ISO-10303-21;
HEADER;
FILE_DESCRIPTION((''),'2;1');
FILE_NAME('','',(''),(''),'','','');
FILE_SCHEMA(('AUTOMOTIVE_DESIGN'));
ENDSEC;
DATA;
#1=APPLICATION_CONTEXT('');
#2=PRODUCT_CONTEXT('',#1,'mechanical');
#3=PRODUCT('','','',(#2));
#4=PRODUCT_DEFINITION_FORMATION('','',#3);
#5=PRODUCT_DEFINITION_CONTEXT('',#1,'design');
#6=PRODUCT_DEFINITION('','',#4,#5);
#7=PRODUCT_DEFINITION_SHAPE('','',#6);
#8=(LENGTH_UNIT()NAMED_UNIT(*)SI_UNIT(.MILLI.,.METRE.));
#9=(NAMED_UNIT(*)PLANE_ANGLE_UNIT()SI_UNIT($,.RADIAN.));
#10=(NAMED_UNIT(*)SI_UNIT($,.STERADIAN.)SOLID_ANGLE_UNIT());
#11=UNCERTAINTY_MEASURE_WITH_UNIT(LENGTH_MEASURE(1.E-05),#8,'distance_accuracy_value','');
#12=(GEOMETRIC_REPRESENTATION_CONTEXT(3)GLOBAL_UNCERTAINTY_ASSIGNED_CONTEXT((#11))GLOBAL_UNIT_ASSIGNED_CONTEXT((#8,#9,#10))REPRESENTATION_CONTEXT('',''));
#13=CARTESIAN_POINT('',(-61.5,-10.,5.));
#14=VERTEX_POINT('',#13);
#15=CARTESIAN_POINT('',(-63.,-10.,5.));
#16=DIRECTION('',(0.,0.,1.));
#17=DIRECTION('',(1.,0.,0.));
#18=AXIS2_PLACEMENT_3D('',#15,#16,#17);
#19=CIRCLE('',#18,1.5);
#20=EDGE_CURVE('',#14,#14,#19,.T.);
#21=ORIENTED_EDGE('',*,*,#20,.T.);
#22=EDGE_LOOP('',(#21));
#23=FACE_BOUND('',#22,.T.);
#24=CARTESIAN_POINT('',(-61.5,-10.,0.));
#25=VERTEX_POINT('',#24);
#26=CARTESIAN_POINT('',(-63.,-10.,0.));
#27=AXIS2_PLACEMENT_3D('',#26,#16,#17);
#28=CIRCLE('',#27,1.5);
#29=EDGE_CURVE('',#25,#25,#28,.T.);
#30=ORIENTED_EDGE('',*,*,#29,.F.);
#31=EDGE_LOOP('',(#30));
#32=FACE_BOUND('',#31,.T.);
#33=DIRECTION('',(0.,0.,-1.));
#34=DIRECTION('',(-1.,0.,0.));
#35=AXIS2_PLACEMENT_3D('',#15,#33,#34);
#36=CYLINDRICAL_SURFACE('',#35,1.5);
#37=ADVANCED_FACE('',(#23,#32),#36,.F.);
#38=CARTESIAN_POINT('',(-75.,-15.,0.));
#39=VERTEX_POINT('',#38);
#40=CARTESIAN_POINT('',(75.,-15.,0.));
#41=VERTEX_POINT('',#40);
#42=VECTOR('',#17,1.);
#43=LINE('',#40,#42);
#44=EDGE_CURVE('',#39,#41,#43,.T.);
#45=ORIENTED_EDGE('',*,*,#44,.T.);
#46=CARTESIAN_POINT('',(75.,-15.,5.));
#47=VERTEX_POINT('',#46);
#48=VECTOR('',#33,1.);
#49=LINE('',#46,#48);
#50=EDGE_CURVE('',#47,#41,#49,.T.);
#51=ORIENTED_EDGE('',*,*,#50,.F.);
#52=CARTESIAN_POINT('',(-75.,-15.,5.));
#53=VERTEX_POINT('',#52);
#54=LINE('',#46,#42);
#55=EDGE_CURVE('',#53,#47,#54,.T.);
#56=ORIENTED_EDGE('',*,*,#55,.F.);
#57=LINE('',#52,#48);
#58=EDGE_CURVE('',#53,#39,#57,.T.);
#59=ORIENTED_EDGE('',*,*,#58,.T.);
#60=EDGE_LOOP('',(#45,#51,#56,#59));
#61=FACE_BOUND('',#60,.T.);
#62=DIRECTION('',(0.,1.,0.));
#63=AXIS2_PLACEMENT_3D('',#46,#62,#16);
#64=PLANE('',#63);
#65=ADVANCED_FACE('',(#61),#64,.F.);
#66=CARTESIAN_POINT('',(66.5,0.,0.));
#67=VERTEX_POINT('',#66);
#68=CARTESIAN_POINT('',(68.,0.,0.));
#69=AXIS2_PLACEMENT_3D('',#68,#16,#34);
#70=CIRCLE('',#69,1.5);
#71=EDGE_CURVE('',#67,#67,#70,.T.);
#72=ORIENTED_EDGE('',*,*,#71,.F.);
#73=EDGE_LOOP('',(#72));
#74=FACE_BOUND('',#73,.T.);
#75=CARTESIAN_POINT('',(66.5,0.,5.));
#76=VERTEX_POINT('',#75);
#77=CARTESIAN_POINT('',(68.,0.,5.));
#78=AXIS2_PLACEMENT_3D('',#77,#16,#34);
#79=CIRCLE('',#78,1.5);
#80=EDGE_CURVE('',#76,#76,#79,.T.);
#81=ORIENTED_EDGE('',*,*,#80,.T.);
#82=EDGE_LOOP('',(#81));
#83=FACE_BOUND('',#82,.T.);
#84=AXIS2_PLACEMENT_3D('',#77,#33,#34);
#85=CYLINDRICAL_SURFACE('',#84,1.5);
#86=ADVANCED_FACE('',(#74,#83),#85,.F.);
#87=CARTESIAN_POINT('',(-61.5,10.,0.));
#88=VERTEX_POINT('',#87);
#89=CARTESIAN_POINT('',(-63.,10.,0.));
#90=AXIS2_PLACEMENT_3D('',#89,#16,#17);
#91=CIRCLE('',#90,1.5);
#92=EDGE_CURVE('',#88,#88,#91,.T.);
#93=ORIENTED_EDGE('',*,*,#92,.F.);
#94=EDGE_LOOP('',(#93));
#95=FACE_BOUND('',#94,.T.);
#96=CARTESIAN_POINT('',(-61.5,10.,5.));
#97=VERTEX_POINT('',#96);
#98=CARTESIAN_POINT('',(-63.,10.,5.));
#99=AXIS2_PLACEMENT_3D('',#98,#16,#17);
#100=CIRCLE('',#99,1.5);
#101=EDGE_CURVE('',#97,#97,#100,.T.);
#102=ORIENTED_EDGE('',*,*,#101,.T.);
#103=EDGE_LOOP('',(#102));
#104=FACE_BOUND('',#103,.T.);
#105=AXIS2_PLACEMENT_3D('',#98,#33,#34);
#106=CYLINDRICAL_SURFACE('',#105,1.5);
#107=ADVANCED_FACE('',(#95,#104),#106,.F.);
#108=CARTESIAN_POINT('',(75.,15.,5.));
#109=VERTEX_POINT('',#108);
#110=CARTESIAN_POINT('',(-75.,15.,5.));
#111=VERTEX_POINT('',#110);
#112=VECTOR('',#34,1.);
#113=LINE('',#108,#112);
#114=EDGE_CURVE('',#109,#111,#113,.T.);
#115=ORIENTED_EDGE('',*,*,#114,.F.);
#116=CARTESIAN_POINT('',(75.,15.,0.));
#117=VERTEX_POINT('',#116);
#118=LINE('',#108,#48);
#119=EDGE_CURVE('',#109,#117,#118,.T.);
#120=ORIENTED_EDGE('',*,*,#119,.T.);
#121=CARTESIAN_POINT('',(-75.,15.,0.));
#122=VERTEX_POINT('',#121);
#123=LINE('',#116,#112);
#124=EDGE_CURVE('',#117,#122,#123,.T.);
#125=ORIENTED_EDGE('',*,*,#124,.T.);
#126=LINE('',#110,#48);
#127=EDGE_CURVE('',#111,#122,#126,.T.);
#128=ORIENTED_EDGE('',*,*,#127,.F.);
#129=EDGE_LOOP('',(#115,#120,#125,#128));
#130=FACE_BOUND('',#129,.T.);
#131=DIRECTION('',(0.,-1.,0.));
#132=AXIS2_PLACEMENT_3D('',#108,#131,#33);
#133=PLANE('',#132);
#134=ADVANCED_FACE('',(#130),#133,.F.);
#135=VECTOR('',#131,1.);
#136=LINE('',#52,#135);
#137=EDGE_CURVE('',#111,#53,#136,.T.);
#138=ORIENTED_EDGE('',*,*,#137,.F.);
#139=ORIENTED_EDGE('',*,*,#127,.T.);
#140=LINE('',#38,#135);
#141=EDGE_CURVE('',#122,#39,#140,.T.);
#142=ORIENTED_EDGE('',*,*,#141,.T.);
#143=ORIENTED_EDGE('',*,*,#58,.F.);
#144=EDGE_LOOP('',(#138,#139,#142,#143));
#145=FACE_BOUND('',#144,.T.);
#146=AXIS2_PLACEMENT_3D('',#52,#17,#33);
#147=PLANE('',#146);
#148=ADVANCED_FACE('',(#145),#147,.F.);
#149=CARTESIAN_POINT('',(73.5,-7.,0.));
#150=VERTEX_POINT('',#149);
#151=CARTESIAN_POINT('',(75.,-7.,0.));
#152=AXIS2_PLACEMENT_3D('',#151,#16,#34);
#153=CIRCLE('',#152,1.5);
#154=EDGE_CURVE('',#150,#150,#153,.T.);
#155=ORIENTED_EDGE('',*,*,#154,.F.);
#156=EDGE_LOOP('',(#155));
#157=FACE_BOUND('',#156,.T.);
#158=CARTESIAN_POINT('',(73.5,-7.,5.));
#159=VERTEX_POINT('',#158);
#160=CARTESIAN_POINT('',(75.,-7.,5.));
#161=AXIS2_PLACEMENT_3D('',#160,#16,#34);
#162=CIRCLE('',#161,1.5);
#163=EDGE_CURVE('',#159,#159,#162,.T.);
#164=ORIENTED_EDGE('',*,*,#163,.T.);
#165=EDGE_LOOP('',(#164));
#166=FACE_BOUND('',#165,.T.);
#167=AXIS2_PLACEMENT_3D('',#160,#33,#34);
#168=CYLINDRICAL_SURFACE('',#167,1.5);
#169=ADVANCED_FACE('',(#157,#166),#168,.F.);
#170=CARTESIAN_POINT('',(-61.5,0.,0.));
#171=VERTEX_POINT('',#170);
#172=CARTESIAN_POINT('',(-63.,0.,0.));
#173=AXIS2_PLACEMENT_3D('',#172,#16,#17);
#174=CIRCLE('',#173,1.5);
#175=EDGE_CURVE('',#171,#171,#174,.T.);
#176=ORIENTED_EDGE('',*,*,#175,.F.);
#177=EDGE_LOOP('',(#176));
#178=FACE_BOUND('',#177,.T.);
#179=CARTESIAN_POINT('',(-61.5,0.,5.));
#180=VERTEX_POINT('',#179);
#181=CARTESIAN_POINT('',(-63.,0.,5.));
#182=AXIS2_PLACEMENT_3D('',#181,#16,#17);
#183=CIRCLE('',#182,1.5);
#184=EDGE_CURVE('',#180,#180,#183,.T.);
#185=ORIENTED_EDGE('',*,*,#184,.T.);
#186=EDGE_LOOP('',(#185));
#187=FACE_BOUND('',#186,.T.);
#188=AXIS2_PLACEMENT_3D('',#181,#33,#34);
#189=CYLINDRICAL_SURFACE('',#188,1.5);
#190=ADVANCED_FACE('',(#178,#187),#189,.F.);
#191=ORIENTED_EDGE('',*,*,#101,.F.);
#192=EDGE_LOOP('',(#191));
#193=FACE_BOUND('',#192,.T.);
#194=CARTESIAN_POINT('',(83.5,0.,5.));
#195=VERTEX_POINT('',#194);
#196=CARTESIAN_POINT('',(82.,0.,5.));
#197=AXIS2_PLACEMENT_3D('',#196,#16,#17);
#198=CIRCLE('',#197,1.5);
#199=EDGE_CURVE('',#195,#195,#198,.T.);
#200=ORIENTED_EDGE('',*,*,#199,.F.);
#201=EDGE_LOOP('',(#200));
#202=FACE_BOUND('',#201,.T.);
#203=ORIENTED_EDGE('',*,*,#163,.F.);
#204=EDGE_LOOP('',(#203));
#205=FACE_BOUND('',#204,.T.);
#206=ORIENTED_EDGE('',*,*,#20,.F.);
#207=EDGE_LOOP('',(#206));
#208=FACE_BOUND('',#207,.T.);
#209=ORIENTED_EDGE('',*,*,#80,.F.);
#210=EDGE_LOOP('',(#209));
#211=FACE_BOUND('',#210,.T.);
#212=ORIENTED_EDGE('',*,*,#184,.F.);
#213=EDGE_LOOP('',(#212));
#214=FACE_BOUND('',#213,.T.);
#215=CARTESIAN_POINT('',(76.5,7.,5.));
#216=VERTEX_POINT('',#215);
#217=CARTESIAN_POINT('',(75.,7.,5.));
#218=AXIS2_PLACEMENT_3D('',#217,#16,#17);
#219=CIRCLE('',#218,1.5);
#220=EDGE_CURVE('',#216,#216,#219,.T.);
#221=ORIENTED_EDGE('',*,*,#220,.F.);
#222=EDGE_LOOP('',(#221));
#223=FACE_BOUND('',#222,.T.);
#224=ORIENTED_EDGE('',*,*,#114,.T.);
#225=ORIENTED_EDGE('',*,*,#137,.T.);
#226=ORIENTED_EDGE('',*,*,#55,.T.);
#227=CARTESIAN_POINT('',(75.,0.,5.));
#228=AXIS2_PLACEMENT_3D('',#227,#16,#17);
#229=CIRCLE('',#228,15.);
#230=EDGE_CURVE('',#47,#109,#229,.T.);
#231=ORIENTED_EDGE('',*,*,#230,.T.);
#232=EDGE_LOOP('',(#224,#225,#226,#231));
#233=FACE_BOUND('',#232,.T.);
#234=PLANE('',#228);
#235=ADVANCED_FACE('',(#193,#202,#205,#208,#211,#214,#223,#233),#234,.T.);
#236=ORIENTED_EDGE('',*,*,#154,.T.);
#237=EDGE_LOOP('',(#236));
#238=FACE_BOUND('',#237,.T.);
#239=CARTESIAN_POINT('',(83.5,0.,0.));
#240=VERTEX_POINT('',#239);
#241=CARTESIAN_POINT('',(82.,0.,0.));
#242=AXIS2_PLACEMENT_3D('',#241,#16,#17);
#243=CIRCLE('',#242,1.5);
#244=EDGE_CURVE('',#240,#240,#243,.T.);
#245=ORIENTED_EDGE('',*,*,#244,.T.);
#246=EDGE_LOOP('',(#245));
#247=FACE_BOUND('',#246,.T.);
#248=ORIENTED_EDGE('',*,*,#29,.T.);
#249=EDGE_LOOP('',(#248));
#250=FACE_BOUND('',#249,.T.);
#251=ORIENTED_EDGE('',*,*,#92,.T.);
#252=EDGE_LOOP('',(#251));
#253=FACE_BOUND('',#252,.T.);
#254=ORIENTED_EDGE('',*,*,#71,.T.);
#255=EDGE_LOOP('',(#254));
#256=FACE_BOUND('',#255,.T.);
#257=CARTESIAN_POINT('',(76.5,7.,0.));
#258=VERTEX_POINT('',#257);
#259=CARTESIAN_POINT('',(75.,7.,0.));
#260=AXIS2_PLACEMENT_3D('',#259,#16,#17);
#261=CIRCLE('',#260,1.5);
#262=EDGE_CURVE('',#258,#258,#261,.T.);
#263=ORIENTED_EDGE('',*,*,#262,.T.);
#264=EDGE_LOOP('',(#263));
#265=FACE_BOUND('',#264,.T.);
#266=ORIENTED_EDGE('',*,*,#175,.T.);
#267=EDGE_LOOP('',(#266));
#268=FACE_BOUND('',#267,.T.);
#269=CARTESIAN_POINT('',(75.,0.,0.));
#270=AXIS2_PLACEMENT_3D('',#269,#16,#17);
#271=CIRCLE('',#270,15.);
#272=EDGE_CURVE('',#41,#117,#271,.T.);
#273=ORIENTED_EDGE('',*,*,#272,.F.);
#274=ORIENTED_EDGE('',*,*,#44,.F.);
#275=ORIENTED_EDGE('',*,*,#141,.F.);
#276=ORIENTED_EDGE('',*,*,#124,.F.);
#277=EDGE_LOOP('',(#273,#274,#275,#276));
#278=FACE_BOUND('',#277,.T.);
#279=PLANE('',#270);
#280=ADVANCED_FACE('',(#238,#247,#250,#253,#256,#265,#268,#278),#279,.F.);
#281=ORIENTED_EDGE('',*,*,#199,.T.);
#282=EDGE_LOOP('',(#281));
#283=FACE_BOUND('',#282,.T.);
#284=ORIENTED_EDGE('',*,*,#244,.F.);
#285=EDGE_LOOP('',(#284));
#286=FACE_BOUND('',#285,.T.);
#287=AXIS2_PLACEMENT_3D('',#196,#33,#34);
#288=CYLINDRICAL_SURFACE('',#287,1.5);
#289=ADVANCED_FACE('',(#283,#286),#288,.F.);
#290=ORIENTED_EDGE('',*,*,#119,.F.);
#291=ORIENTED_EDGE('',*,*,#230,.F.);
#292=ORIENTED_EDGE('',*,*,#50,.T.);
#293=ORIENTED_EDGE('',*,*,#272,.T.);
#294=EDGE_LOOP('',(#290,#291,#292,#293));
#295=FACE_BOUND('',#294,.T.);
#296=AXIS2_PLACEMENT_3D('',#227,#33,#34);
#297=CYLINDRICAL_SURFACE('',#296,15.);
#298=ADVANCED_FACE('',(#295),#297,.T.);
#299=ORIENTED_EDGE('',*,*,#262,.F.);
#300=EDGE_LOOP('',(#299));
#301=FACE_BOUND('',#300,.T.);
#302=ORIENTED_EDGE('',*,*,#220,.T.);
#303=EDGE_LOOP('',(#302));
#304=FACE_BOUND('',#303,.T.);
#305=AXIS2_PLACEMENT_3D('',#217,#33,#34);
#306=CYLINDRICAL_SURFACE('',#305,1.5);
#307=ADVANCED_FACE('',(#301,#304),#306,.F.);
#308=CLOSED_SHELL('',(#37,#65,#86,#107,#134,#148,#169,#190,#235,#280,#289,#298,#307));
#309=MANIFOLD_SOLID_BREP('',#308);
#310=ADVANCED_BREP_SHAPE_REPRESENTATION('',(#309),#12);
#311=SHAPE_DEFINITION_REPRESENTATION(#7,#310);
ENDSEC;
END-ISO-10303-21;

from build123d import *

# Parameters (mm, degrees)
SKETCH1_R           = 1.5
BOSS_EXTRUDE1_DEPTH = 5


with BuildPart() as part:
    # Sketch1 → Boss-Extrude1 (new body)
    with BuildSketch(Plane.XY):
        with BuildLine():
            Line((75.000000208, -15), (-75.000000208, -15))
            Line((-75.000000208, -15), (-75.000000208, 15))
            Line((-75.000000208, 15), (75.000000208, 15))
            ThreePointArc((75.000000208, 15), (89.999999792, 0), (75.000000208, -15))
        make_face()
        with Locations((75, 7)):
            Circle(SKETCH1_R, mode=Mode.SUBTRACT)
        with Locations((82, 0)):
            Circle(SKETCH1_R, mode=Mode.SUBTRACT)
        with Locations(Location((68, 0, 0), (0, 0, 180))):
            Circle(SKETCH1_R, mode=Mode.SUBTRACT)
        with Locations(Location((75, -7, 0), (0, 0, 180))):
            Circle(SKETCH1_R, mode=Mode.SUBTRACT)
        with Locations((-63.000000208, 0)):
            Circle(SKETCH1_R, mode=Mode.SUBTRACT)
        with Locations((-63.000000208, 10)):
            Circle(SKETCH1_R, mode=Mode.SUBTRACT)
        with Locations((-63.000000208, -10)):
            Circle(SKETCH1_R, mode=Mode.SUBTRACT)
    extrude(amount=BOSS_EXTRUDE1_DEPTH)


solid = part.part
